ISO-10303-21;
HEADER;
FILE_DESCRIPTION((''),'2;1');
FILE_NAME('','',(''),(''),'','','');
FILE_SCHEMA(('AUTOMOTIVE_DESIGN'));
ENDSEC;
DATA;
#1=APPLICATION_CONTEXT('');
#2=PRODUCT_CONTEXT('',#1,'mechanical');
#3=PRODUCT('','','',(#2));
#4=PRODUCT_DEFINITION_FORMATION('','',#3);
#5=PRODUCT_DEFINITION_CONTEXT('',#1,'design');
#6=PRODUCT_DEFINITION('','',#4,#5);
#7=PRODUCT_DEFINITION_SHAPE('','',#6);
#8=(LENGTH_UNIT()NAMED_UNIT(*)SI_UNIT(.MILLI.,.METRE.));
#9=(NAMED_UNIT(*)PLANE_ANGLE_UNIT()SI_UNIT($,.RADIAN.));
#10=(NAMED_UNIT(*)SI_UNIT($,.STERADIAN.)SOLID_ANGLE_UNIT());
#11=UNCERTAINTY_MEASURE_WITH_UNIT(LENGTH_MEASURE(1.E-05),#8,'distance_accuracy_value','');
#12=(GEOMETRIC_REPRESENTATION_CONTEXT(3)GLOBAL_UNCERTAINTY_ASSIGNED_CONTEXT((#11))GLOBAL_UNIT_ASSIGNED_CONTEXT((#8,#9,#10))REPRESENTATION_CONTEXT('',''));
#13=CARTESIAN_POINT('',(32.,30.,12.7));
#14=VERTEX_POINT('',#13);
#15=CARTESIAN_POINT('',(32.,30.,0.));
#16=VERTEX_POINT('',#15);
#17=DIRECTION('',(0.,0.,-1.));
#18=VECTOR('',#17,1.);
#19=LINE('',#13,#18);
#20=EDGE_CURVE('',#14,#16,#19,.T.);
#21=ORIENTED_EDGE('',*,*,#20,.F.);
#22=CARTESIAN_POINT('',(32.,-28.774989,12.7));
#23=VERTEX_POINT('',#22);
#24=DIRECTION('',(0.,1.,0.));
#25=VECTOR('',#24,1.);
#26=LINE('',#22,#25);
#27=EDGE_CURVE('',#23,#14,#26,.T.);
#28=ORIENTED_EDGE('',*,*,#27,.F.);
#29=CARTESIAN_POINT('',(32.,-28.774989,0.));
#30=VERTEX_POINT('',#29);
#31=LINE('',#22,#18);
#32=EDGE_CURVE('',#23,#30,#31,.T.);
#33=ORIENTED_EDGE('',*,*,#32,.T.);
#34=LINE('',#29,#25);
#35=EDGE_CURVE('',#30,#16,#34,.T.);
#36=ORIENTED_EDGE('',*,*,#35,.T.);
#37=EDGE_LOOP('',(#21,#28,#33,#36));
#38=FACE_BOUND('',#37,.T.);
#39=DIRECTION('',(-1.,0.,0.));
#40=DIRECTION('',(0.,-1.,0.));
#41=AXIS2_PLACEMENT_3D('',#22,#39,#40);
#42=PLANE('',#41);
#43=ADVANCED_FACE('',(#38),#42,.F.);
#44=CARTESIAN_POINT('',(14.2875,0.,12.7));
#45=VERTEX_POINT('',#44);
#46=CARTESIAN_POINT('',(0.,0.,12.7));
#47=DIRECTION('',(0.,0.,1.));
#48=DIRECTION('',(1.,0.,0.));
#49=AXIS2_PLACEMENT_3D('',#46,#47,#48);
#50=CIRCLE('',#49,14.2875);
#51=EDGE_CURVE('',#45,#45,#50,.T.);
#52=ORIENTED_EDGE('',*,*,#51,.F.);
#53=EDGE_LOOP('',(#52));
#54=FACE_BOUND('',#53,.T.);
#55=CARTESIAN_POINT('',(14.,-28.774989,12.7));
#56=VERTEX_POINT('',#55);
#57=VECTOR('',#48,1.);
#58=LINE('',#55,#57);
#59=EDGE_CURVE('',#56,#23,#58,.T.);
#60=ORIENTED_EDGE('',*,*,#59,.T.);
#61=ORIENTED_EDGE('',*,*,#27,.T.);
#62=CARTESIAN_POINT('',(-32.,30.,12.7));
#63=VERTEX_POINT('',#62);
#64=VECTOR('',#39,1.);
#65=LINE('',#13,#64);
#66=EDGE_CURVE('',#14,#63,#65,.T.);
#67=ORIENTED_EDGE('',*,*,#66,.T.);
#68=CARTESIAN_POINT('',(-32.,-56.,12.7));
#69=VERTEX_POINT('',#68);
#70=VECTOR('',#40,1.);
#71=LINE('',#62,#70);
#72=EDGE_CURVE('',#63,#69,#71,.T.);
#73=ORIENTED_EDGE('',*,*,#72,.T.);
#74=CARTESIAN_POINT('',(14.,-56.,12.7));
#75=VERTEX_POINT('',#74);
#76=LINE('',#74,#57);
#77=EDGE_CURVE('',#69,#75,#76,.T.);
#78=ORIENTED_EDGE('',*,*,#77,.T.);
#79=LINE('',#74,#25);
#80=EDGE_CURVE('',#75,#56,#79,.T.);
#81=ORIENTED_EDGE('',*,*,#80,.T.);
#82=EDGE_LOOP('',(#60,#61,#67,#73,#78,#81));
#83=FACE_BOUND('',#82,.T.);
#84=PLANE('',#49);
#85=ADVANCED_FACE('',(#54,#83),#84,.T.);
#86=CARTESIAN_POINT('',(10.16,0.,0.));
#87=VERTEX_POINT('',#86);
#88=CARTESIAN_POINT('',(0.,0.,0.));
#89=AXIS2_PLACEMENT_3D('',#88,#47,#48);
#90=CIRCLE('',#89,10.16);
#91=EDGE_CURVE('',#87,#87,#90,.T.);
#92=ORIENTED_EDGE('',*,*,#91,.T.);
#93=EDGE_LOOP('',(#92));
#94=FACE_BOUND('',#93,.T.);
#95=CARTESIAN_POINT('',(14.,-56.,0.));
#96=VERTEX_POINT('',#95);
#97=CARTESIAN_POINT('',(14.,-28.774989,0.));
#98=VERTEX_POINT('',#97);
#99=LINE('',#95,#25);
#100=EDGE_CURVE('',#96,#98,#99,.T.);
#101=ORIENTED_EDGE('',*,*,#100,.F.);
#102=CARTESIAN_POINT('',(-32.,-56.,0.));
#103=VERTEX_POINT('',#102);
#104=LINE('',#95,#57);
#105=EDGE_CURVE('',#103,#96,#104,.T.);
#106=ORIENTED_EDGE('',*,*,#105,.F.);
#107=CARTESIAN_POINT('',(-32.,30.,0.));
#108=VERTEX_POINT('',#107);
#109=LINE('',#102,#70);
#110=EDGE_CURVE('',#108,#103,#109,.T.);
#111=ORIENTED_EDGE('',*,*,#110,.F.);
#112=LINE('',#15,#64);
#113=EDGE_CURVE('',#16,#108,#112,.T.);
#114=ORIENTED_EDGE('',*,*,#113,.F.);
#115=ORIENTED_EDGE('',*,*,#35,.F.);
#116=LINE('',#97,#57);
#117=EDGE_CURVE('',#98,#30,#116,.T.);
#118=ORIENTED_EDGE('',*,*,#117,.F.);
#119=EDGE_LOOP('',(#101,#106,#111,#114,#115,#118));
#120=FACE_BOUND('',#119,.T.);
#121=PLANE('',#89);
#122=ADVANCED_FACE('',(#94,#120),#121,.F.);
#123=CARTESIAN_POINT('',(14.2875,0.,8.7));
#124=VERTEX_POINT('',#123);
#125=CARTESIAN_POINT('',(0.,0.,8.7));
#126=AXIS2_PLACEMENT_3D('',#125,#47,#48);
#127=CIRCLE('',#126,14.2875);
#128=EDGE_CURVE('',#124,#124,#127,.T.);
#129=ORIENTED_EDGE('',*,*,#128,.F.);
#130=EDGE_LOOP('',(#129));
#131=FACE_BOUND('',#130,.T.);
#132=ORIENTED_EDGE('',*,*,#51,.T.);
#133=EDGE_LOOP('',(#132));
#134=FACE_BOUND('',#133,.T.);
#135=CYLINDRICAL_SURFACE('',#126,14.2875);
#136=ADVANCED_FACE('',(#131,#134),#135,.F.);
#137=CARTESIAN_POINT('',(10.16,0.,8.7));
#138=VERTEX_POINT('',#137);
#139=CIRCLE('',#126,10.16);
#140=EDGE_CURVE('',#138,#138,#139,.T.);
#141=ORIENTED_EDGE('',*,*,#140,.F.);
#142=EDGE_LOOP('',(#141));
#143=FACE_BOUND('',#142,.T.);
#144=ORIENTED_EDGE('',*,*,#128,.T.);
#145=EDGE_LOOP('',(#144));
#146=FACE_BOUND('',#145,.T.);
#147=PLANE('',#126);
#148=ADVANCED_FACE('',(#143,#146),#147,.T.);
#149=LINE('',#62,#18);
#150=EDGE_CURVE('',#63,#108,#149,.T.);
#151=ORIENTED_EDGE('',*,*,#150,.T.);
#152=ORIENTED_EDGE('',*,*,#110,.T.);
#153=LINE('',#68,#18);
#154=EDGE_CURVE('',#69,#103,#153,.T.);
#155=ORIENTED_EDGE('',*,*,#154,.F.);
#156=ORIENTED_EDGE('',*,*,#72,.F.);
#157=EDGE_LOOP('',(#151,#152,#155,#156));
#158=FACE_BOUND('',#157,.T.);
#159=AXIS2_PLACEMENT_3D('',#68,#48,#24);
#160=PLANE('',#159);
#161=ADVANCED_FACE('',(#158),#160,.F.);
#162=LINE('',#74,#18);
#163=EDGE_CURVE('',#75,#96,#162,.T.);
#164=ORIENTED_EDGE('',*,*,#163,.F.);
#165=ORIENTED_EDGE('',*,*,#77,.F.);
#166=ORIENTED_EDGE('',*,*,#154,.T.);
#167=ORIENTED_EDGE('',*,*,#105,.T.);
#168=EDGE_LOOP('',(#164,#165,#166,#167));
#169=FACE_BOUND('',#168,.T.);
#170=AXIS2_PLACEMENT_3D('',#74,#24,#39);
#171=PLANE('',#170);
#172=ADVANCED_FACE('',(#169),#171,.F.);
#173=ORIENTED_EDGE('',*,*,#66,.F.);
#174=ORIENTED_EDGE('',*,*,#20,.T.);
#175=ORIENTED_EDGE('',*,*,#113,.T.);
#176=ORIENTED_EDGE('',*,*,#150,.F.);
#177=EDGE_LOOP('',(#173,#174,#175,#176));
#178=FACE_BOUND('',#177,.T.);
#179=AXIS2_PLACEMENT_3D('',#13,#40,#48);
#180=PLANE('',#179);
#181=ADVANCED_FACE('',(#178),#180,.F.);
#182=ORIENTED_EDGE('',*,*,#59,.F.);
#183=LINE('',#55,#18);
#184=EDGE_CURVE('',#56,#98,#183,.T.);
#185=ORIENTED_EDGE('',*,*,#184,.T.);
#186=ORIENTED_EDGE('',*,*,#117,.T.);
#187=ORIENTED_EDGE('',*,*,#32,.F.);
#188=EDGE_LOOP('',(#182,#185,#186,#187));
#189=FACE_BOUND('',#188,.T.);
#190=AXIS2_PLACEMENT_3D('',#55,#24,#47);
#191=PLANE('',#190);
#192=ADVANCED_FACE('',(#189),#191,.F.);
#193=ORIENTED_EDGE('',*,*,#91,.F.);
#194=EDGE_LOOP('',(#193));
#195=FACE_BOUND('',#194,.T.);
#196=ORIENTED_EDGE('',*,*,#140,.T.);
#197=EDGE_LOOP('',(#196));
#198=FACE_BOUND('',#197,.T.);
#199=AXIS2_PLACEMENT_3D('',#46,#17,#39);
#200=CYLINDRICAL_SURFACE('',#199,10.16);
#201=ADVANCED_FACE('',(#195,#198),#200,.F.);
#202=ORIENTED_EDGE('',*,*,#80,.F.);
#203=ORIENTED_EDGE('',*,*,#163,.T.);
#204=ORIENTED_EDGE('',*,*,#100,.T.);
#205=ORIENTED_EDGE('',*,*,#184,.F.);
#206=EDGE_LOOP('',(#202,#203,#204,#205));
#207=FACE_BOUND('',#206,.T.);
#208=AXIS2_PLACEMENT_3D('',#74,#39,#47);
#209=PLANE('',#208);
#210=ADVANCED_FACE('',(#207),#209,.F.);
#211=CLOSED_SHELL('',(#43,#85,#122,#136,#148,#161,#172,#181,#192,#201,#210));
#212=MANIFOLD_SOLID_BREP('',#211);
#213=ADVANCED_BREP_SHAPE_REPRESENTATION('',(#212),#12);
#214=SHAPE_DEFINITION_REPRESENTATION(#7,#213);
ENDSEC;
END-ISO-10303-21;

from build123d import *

# Parameters (mm, degrees)
SKETCH1_R           = 10.16
BOSS_EXTRUDE1_DEPTH = 12.7
CUT_EXTRUDE1_START  = 12.7
SKETCH2_R           = 14.2875
CUT_EXTRUDE1_DEPTH  = 4


with BuildPart() as part:
    # Sketch1 → Boss-Extrude1 (new body)
    with BuildSketch(Plane.XY):
        Polygon((14, -56), (-32, -56), (-32, 0), (-32, 30), (32, 30), (32, -28.77498914), (14, -28.77498914), align=None)
        Circle(SKETCH1_R, mode=Mode.SUBTRACT)
    extrude(amount=BOSS_EXTRUDE1_DEPTH)

    # Sketch2 → Cut-Extrude1 (cut)
    with BuildSketch(Plane.XY.offset(CUT_EXTRUDE1_START)):
        Circle(SKETCH2_R)
    extrude(amount=-CUT_EXTRUDE1_DEPTH, mode=Mode.SUBTRACT)


solid = part.part
